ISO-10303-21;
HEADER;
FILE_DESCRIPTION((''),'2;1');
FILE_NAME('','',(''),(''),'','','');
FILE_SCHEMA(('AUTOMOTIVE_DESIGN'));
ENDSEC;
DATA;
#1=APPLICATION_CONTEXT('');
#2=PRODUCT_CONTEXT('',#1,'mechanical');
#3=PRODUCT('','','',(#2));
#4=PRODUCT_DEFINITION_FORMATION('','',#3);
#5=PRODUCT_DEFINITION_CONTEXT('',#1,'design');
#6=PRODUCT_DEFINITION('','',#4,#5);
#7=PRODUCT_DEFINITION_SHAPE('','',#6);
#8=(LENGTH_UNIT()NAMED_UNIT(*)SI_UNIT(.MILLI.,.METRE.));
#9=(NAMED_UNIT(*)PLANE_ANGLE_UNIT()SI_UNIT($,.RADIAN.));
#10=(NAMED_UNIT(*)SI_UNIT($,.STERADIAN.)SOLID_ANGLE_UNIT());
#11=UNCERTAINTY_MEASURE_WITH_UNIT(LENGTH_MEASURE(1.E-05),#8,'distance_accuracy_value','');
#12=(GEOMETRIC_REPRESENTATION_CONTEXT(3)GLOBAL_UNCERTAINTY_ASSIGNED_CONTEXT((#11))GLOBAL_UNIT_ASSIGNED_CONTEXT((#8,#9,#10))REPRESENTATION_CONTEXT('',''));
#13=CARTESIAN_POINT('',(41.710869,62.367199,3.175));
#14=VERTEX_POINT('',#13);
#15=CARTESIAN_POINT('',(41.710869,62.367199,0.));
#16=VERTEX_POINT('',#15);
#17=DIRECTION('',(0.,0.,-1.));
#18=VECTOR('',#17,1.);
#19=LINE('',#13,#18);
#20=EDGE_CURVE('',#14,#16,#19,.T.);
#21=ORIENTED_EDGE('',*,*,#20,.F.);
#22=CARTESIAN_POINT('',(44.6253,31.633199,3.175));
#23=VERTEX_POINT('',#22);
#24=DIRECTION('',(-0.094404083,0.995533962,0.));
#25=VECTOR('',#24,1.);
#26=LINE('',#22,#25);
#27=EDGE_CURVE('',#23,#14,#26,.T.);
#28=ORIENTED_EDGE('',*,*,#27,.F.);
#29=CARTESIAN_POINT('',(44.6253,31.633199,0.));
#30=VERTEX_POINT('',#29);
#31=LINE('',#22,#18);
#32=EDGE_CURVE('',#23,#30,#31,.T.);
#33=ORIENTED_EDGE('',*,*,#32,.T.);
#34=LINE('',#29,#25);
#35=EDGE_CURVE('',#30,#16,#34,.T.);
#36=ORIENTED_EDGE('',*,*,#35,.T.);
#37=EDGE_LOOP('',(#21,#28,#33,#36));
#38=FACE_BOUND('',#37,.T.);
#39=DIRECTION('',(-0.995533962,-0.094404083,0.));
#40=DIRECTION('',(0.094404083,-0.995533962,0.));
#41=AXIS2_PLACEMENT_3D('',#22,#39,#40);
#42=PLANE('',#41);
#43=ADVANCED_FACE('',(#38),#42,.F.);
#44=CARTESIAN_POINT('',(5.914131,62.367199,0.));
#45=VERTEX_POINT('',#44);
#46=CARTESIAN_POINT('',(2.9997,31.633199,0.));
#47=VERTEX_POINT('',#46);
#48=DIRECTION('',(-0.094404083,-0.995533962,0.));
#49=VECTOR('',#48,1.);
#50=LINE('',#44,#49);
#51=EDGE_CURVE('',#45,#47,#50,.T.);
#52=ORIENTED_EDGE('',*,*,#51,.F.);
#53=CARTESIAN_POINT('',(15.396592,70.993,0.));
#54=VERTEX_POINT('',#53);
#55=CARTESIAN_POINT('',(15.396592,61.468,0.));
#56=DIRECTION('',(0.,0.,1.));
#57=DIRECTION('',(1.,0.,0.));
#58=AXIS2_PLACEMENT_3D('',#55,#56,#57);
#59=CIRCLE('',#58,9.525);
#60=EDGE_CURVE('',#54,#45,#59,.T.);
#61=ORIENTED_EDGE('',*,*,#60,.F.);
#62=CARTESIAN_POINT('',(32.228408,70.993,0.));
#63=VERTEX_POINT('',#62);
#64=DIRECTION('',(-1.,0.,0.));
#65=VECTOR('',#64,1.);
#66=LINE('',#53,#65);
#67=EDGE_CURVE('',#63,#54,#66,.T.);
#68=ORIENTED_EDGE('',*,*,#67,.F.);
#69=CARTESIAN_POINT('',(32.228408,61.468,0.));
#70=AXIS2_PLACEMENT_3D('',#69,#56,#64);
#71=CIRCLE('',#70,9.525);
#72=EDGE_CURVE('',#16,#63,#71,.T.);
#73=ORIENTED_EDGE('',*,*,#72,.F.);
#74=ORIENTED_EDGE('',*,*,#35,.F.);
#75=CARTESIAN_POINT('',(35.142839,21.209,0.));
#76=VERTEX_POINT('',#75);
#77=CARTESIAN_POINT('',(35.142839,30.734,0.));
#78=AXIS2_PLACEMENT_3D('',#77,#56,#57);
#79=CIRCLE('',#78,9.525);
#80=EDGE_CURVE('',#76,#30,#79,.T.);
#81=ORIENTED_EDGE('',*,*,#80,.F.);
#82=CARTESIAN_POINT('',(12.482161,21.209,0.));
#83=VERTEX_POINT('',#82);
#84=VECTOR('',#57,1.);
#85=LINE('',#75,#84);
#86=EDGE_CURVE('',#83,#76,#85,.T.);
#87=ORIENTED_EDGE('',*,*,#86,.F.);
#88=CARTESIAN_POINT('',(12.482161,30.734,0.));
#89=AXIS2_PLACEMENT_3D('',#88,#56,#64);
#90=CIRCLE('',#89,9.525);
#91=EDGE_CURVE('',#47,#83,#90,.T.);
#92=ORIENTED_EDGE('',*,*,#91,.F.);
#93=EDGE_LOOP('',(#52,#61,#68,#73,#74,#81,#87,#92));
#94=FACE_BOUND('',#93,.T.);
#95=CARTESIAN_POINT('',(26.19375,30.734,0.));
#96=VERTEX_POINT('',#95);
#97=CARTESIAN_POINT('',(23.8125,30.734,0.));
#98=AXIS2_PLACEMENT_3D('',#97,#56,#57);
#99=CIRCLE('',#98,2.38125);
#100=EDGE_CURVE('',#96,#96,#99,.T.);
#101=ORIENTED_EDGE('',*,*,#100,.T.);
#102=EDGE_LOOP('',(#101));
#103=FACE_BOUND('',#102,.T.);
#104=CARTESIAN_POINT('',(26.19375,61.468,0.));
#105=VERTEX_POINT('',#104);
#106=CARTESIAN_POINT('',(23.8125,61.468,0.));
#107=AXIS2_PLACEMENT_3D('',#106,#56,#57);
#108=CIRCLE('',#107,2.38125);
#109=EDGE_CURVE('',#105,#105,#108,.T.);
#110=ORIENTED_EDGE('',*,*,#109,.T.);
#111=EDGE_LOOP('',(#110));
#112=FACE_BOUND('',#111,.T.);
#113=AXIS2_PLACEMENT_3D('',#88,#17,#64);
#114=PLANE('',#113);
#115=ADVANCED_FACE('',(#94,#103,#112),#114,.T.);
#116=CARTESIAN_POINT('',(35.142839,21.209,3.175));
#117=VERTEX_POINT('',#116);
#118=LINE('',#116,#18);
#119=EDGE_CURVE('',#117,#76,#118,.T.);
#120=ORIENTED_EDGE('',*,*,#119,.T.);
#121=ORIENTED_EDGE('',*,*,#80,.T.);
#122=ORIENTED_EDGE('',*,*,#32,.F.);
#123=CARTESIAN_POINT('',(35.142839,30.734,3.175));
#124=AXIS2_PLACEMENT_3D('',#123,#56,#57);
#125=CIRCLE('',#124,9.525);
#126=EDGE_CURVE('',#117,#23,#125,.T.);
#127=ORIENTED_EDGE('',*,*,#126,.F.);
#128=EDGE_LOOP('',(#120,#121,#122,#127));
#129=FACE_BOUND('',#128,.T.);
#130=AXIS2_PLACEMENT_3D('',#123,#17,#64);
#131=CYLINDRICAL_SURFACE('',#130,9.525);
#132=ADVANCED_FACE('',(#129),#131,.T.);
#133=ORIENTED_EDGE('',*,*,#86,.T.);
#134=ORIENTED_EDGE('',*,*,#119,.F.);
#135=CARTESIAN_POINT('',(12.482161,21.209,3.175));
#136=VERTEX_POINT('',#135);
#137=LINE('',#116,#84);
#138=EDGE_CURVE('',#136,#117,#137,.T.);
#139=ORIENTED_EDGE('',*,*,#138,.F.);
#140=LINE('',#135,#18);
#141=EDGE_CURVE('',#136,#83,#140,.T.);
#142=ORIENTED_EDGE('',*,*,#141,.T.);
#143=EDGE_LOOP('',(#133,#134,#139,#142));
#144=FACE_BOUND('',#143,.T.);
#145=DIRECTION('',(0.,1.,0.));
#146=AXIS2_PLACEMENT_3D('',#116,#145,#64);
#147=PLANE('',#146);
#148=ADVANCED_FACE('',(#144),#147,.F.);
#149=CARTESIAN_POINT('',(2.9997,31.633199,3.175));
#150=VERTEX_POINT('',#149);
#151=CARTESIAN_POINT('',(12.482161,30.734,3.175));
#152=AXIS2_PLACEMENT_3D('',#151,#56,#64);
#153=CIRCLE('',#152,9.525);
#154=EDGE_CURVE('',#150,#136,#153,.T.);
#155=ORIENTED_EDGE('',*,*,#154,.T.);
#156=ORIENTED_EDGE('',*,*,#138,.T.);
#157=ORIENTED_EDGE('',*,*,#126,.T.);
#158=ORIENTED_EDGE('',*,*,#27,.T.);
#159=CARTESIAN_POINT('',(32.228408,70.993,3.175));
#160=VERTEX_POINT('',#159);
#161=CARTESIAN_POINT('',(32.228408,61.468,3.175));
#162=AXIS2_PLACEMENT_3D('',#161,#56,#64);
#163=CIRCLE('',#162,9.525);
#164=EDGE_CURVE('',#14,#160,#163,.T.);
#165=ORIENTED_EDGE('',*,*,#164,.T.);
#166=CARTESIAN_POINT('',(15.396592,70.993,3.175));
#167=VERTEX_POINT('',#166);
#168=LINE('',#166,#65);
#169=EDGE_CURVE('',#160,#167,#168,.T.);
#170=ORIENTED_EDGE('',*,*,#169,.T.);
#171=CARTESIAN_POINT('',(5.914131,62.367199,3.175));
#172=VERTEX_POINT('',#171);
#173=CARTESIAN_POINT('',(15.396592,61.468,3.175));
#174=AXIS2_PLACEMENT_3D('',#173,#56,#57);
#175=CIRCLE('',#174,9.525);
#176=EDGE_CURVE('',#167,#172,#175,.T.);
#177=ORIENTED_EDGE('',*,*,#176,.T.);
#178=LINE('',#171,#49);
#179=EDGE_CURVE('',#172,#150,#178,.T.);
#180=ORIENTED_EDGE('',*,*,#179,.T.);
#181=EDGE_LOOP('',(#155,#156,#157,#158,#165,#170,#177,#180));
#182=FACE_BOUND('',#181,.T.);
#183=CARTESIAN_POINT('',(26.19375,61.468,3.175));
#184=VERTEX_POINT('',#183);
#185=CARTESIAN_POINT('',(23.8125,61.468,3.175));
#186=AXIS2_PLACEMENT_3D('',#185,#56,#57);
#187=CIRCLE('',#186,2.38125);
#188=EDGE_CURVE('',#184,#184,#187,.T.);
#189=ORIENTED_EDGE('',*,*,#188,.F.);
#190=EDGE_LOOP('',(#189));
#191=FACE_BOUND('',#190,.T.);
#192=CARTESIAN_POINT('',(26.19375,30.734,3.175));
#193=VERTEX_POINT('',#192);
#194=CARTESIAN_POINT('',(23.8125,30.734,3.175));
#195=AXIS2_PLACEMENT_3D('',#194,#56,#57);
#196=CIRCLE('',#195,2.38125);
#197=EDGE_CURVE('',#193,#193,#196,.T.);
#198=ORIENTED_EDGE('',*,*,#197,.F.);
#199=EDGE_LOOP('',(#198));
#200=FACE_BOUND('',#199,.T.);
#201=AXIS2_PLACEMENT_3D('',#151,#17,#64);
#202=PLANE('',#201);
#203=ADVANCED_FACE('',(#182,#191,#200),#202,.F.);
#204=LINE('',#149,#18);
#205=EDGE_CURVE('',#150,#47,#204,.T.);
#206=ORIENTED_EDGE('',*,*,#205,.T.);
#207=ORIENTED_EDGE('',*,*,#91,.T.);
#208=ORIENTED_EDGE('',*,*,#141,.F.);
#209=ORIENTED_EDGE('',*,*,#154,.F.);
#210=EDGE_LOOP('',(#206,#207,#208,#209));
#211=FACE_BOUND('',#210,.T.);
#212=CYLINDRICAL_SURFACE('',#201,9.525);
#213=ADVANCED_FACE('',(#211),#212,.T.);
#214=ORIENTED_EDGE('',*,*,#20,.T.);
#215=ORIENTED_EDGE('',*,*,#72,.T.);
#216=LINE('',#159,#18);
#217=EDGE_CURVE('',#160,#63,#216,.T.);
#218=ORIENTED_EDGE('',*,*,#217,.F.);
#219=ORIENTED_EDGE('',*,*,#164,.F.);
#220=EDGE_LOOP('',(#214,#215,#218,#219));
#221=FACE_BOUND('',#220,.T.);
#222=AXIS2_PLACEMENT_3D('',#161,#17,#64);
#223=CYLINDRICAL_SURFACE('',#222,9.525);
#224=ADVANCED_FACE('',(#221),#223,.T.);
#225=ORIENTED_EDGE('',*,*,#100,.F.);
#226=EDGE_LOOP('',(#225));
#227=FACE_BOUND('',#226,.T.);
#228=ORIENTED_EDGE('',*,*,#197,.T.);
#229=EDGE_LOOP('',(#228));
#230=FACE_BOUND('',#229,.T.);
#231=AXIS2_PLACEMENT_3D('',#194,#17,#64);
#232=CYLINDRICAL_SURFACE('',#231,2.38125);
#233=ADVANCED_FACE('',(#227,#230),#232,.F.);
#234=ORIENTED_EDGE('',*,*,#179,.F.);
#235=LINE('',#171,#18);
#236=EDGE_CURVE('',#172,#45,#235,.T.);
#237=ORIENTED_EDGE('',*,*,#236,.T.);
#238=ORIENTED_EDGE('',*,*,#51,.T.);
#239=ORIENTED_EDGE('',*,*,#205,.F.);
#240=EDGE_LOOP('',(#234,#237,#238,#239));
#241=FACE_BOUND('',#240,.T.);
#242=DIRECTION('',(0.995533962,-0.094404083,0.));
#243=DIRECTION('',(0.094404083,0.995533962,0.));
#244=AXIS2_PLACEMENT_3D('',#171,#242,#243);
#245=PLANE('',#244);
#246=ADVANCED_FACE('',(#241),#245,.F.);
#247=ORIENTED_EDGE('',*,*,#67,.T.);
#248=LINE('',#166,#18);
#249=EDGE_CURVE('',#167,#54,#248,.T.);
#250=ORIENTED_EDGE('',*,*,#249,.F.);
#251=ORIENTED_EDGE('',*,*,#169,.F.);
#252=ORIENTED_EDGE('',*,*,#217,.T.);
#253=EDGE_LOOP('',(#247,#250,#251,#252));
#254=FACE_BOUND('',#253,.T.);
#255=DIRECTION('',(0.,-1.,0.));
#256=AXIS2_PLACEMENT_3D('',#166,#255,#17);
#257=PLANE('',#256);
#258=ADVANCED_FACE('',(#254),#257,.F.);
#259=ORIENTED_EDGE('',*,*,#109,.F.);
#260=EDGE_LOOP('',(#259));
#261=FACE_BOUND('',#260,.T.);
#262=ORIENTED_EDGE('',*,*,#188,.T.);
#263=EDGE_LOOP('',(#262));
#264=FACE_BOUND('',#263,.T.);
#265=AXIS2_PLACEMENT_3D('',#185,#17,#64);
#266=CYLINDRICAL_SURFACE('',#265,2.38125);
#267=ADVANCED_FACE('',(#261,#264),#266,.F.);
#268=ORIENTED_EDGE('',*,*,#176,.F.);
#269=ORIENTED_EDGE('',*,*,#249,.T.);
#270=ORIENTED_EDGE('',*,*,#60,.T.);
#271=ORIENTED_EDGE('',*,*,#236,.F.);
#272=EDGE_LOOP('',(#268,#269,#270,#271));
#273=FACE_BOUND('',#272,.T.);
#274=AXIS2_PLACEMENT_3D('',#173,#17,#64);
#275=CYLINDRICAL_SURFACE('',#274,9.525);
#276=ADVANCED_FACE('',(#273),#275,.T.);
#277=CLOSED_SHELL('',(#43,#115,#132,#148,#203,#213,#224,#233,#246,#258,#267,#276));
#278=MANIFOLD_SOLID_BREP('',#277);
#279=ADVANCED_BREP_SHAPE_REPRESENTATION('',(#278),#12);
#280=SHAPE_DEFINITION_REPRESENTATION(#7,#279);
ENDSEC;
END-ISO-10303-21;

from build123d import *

# Parameters (mm, degrees)
SKETCH2_R           = 2.38125
BOSS_EXTRUDE1_DEPTH = 3.175


with BuildPart() as part:
    # Sketch2 → Boss-Extrude1 (new body)
    with BuildSketch(Plane.XY):
        with BuildLine():
            Line((44.625300106, 31.633198887), (41.710869071, 62.367198887))
            ThreePointArc((41.710869071, 62.367198887), (38.637805701, 68.513938348), (32.228408085, 70.993))
            Line((32.228408085, 70.993), (15.396591915, 70.993))
            ThreePointArc((15.396591915, 70.993), (8.987194299, 68.513938348), (5.914130929, 62.367198887))
            Line((5.914130929, 62.367198887), (2.999699894, 31.633198887))
            ThreePointArc((2.999699894, 31.633198887), (5.436222533, 24.324602384), (12.482160881, 21.209))
            Line((12.482160881, 21.209), (35.142839119, 21.209))
            ThreePointArc((35.142839119, 21.209), (42.188777467, 24.324602384), (44.625300106, 31.633198887))
        make_face()
        with Locations((23.8125, 30.734)):
            Circle(SKETCH2_R, mode=Mode.SUBTRACT)
        with Locations((23.8125, 61.468)):
            Circle(SKETCH2_R, mode=Mode.SUBTRACT)
    extrude(amount=BOSS_EXTRUDE1_DEPTH)


solid = part.part
